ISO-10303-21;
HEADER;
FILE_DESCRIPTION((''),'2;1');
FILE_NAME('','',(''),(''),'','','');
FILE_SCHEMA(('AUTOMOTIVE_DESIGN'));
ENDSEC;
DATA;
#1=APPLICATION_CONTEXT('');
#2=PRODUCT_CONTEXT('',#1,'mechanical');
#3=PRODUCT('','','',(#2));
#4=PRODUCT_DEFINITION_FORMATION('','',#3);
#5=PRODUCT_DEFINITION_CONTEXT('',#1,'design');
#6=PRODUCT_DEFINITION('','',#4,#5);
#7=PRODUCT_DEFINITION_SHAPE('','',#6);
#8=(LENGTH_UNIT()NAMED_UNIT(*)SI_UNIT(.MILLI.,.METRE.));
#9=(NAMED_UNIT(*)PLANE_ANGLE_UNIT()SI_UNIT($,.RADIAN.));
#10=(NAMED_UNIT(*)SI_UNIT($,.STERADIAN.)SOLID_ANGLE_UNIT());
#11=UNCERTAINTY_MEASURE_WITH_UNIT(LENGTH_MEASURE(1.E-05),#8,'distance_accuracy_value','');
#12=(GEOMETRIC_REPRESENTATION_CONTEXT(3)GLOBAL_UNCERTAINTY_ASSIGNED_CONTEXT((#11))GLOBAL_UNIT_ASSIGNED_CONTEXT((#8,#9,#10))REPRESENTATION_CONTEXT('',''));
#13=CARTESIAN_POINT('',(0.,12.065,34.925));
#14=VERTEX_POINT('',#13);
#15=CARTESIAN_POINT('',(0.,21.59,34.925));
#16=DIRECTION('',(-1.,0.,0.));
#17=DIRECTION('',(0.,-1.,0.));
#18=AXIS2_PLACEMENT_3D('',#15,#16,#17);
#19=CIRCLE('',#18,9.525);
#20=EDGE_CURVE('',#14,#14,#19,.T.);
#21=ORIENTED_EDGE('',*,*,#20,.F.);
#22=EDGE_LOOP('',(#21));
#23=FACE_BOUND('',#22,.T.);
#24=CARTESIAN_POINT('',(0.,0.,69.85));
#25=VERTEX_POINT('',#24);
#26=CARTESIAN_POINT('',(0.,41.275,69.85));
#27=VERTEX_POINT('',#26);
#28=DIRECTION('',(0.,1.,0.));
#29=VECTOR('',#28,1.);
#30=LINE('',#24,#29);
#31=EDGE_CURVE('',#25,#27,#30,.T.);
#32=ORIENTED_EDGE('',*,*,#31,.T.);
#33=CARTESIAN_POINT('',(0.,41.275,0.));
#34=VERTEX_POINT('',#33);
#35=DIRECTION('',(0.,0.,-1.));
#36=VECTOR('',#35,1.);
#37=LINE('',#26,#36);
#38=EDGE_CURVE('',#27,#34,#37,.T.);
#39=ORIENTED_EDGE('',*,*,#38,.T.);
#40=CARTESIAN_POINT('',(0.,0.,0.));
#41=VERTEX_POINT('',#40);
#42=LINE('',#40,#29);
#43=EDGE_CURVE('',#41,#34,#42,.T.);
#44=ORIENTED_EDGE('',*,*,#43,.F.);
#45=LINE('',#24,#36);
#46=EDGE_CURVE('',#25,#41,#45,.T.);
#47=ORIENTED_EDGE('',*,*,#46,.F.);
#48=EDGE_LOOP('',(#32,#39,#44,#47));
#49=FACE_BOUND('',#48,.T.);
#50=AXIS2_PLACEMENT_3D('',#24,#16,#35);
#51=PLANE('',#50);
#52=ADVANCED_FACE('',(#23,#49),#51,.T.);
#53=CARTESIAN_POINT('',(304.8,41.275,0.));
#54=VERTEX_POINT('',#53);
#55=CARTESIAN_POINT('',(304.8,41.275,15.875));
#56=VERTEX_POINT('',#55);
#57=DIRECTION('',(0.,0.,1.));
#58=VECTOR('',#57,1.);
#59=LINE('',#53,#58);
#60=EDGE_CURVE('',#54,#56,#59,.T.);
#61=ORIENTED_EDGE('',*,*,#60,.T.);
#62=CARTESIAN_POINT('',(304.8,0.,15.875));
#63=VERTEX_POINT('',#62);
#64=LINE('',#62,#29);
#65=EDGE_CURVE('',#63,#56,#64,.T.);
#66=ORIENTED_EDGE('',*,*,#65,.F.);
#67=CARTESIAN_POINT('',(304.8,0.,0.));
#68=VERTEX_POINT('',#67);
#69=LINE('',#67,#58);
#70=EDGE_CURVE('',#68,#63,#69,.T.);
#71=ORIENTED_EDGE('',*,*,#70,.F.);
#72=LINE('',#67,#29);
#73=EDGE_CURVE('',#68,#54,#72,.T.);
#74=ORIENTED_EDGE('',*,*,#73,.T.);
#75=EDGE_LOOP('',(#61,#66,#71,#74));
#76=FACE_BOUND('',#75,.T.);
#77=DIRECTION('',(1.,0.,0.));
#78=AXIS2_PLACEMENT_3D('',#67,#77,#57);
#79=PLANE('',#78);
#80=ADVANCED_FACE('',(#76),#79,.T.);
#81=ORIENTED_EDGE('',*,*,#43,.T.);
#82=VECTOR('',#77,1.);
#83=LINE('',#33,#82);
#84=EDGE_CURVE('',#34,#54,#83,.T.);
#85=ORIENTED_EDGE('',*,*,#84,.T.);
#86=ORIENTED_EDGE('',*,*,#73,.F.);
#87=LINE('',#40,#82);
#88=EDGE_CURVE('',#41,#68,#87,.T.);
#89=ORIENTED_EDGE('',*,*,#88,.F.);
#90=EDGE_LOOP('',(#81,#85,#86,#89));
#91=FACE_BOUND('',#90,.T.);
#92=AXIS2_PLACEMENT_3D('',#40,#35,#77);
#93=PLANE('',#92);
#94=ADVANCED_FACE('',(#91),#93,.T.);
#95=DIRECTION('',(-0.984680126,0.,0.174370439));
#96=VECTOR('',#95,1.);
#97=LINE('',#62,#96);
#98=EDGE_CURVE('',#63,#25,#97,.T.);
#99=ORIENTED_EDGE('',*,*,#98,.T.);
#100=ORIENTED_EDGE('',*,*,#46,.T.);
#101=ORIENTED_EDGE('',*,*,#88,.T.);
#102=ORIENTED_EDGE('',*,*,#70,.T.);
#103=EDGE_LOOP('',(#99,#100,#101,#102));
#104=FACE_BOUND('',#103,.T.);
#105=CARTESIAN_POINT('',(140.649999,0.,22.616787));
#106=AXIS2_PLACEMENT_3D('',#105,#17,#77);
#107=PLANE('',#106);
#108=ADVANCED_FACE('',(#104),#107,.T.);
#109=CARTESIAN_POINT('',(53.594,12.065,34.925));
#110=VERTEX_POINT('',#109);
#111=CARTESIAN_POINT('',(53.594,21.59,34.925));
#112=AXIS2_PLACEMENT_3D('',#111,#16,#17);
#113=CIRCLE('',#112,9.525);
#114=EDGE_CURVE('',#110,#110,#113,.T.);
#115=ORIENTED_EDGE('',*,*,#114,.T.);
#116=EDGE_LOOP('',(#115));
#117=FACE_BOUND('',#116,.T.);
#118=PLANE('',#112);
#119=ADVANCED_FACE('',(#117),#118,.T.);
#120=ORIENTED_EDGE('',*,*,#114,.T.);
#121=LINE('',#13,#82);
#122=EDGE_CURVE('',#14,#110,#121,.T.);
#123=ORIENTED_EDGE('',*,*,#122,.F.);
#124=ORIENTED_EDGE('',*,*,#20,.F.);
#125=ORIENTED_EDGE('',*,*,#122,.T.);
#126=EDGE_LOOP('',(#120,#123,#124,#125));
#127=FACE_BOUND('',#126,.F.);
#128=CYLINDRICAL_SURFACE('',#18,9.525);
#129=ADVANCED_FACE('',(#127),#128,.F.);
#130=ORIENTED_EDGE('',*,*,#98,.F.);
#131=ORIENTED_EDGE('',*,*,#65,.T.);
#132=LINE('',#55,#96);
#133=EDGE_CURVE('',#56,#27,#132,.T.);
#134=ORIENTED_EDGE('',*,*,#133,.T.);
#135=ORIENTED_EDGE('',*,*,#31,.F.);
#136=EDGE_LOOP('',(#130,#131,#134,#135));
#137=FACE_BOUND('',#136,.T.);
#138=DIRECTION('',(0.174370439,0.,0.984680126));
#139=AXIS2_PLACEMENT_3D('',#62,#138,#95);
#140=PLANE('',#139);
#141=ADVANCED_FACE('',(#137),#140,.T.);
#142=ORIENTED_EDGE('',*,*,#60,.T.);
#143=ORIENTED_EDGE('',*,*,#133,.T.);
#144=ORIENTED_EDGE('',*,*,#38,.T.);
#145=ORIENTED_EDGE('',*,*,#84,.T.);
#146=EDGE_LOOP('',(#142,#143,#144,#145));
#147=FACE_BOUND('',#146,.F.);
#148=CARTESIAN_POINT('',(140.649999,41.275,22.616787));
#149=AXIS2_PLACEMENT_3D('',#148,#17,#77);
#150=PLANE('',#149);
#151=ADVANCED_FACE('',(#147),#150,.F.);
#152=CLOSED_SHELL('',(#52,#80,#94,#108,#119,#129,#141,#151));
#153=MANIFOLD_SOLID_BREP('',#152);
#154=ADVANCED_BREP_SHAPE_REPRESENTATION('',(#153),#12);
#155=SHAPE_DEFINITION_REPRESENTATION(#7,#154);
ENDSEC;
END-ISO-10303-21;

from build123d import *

# Parameters (mm, degrees)
F1_DEPTH = 41.275
F2_R     = 9.525
F3_DEPTH = 53.594


with BuildPart() as f1:
    # F0 (on Front) → F1 (new body)
    with BuildSketch(Plane.XZ):
        Polygon((0, 69.85), (0, 0), (304.8, 0), (304.8, 15.875), align=None)
    extrude(amount=-F1_DEPTH)

    # F2 (on face) → F3 (cut)
    with BuildSketch(Plane(origin=(0, 0, 0), x_dir=(0, -1, 0), z_dir=(-1, 0, 0))):
        with Locations((-21.59, 34.925)):
            Circle(F2_R)
    extrude(amount=-F3_DEPTH, mode=Mode.SUBTRACT)


solid = f1.part
